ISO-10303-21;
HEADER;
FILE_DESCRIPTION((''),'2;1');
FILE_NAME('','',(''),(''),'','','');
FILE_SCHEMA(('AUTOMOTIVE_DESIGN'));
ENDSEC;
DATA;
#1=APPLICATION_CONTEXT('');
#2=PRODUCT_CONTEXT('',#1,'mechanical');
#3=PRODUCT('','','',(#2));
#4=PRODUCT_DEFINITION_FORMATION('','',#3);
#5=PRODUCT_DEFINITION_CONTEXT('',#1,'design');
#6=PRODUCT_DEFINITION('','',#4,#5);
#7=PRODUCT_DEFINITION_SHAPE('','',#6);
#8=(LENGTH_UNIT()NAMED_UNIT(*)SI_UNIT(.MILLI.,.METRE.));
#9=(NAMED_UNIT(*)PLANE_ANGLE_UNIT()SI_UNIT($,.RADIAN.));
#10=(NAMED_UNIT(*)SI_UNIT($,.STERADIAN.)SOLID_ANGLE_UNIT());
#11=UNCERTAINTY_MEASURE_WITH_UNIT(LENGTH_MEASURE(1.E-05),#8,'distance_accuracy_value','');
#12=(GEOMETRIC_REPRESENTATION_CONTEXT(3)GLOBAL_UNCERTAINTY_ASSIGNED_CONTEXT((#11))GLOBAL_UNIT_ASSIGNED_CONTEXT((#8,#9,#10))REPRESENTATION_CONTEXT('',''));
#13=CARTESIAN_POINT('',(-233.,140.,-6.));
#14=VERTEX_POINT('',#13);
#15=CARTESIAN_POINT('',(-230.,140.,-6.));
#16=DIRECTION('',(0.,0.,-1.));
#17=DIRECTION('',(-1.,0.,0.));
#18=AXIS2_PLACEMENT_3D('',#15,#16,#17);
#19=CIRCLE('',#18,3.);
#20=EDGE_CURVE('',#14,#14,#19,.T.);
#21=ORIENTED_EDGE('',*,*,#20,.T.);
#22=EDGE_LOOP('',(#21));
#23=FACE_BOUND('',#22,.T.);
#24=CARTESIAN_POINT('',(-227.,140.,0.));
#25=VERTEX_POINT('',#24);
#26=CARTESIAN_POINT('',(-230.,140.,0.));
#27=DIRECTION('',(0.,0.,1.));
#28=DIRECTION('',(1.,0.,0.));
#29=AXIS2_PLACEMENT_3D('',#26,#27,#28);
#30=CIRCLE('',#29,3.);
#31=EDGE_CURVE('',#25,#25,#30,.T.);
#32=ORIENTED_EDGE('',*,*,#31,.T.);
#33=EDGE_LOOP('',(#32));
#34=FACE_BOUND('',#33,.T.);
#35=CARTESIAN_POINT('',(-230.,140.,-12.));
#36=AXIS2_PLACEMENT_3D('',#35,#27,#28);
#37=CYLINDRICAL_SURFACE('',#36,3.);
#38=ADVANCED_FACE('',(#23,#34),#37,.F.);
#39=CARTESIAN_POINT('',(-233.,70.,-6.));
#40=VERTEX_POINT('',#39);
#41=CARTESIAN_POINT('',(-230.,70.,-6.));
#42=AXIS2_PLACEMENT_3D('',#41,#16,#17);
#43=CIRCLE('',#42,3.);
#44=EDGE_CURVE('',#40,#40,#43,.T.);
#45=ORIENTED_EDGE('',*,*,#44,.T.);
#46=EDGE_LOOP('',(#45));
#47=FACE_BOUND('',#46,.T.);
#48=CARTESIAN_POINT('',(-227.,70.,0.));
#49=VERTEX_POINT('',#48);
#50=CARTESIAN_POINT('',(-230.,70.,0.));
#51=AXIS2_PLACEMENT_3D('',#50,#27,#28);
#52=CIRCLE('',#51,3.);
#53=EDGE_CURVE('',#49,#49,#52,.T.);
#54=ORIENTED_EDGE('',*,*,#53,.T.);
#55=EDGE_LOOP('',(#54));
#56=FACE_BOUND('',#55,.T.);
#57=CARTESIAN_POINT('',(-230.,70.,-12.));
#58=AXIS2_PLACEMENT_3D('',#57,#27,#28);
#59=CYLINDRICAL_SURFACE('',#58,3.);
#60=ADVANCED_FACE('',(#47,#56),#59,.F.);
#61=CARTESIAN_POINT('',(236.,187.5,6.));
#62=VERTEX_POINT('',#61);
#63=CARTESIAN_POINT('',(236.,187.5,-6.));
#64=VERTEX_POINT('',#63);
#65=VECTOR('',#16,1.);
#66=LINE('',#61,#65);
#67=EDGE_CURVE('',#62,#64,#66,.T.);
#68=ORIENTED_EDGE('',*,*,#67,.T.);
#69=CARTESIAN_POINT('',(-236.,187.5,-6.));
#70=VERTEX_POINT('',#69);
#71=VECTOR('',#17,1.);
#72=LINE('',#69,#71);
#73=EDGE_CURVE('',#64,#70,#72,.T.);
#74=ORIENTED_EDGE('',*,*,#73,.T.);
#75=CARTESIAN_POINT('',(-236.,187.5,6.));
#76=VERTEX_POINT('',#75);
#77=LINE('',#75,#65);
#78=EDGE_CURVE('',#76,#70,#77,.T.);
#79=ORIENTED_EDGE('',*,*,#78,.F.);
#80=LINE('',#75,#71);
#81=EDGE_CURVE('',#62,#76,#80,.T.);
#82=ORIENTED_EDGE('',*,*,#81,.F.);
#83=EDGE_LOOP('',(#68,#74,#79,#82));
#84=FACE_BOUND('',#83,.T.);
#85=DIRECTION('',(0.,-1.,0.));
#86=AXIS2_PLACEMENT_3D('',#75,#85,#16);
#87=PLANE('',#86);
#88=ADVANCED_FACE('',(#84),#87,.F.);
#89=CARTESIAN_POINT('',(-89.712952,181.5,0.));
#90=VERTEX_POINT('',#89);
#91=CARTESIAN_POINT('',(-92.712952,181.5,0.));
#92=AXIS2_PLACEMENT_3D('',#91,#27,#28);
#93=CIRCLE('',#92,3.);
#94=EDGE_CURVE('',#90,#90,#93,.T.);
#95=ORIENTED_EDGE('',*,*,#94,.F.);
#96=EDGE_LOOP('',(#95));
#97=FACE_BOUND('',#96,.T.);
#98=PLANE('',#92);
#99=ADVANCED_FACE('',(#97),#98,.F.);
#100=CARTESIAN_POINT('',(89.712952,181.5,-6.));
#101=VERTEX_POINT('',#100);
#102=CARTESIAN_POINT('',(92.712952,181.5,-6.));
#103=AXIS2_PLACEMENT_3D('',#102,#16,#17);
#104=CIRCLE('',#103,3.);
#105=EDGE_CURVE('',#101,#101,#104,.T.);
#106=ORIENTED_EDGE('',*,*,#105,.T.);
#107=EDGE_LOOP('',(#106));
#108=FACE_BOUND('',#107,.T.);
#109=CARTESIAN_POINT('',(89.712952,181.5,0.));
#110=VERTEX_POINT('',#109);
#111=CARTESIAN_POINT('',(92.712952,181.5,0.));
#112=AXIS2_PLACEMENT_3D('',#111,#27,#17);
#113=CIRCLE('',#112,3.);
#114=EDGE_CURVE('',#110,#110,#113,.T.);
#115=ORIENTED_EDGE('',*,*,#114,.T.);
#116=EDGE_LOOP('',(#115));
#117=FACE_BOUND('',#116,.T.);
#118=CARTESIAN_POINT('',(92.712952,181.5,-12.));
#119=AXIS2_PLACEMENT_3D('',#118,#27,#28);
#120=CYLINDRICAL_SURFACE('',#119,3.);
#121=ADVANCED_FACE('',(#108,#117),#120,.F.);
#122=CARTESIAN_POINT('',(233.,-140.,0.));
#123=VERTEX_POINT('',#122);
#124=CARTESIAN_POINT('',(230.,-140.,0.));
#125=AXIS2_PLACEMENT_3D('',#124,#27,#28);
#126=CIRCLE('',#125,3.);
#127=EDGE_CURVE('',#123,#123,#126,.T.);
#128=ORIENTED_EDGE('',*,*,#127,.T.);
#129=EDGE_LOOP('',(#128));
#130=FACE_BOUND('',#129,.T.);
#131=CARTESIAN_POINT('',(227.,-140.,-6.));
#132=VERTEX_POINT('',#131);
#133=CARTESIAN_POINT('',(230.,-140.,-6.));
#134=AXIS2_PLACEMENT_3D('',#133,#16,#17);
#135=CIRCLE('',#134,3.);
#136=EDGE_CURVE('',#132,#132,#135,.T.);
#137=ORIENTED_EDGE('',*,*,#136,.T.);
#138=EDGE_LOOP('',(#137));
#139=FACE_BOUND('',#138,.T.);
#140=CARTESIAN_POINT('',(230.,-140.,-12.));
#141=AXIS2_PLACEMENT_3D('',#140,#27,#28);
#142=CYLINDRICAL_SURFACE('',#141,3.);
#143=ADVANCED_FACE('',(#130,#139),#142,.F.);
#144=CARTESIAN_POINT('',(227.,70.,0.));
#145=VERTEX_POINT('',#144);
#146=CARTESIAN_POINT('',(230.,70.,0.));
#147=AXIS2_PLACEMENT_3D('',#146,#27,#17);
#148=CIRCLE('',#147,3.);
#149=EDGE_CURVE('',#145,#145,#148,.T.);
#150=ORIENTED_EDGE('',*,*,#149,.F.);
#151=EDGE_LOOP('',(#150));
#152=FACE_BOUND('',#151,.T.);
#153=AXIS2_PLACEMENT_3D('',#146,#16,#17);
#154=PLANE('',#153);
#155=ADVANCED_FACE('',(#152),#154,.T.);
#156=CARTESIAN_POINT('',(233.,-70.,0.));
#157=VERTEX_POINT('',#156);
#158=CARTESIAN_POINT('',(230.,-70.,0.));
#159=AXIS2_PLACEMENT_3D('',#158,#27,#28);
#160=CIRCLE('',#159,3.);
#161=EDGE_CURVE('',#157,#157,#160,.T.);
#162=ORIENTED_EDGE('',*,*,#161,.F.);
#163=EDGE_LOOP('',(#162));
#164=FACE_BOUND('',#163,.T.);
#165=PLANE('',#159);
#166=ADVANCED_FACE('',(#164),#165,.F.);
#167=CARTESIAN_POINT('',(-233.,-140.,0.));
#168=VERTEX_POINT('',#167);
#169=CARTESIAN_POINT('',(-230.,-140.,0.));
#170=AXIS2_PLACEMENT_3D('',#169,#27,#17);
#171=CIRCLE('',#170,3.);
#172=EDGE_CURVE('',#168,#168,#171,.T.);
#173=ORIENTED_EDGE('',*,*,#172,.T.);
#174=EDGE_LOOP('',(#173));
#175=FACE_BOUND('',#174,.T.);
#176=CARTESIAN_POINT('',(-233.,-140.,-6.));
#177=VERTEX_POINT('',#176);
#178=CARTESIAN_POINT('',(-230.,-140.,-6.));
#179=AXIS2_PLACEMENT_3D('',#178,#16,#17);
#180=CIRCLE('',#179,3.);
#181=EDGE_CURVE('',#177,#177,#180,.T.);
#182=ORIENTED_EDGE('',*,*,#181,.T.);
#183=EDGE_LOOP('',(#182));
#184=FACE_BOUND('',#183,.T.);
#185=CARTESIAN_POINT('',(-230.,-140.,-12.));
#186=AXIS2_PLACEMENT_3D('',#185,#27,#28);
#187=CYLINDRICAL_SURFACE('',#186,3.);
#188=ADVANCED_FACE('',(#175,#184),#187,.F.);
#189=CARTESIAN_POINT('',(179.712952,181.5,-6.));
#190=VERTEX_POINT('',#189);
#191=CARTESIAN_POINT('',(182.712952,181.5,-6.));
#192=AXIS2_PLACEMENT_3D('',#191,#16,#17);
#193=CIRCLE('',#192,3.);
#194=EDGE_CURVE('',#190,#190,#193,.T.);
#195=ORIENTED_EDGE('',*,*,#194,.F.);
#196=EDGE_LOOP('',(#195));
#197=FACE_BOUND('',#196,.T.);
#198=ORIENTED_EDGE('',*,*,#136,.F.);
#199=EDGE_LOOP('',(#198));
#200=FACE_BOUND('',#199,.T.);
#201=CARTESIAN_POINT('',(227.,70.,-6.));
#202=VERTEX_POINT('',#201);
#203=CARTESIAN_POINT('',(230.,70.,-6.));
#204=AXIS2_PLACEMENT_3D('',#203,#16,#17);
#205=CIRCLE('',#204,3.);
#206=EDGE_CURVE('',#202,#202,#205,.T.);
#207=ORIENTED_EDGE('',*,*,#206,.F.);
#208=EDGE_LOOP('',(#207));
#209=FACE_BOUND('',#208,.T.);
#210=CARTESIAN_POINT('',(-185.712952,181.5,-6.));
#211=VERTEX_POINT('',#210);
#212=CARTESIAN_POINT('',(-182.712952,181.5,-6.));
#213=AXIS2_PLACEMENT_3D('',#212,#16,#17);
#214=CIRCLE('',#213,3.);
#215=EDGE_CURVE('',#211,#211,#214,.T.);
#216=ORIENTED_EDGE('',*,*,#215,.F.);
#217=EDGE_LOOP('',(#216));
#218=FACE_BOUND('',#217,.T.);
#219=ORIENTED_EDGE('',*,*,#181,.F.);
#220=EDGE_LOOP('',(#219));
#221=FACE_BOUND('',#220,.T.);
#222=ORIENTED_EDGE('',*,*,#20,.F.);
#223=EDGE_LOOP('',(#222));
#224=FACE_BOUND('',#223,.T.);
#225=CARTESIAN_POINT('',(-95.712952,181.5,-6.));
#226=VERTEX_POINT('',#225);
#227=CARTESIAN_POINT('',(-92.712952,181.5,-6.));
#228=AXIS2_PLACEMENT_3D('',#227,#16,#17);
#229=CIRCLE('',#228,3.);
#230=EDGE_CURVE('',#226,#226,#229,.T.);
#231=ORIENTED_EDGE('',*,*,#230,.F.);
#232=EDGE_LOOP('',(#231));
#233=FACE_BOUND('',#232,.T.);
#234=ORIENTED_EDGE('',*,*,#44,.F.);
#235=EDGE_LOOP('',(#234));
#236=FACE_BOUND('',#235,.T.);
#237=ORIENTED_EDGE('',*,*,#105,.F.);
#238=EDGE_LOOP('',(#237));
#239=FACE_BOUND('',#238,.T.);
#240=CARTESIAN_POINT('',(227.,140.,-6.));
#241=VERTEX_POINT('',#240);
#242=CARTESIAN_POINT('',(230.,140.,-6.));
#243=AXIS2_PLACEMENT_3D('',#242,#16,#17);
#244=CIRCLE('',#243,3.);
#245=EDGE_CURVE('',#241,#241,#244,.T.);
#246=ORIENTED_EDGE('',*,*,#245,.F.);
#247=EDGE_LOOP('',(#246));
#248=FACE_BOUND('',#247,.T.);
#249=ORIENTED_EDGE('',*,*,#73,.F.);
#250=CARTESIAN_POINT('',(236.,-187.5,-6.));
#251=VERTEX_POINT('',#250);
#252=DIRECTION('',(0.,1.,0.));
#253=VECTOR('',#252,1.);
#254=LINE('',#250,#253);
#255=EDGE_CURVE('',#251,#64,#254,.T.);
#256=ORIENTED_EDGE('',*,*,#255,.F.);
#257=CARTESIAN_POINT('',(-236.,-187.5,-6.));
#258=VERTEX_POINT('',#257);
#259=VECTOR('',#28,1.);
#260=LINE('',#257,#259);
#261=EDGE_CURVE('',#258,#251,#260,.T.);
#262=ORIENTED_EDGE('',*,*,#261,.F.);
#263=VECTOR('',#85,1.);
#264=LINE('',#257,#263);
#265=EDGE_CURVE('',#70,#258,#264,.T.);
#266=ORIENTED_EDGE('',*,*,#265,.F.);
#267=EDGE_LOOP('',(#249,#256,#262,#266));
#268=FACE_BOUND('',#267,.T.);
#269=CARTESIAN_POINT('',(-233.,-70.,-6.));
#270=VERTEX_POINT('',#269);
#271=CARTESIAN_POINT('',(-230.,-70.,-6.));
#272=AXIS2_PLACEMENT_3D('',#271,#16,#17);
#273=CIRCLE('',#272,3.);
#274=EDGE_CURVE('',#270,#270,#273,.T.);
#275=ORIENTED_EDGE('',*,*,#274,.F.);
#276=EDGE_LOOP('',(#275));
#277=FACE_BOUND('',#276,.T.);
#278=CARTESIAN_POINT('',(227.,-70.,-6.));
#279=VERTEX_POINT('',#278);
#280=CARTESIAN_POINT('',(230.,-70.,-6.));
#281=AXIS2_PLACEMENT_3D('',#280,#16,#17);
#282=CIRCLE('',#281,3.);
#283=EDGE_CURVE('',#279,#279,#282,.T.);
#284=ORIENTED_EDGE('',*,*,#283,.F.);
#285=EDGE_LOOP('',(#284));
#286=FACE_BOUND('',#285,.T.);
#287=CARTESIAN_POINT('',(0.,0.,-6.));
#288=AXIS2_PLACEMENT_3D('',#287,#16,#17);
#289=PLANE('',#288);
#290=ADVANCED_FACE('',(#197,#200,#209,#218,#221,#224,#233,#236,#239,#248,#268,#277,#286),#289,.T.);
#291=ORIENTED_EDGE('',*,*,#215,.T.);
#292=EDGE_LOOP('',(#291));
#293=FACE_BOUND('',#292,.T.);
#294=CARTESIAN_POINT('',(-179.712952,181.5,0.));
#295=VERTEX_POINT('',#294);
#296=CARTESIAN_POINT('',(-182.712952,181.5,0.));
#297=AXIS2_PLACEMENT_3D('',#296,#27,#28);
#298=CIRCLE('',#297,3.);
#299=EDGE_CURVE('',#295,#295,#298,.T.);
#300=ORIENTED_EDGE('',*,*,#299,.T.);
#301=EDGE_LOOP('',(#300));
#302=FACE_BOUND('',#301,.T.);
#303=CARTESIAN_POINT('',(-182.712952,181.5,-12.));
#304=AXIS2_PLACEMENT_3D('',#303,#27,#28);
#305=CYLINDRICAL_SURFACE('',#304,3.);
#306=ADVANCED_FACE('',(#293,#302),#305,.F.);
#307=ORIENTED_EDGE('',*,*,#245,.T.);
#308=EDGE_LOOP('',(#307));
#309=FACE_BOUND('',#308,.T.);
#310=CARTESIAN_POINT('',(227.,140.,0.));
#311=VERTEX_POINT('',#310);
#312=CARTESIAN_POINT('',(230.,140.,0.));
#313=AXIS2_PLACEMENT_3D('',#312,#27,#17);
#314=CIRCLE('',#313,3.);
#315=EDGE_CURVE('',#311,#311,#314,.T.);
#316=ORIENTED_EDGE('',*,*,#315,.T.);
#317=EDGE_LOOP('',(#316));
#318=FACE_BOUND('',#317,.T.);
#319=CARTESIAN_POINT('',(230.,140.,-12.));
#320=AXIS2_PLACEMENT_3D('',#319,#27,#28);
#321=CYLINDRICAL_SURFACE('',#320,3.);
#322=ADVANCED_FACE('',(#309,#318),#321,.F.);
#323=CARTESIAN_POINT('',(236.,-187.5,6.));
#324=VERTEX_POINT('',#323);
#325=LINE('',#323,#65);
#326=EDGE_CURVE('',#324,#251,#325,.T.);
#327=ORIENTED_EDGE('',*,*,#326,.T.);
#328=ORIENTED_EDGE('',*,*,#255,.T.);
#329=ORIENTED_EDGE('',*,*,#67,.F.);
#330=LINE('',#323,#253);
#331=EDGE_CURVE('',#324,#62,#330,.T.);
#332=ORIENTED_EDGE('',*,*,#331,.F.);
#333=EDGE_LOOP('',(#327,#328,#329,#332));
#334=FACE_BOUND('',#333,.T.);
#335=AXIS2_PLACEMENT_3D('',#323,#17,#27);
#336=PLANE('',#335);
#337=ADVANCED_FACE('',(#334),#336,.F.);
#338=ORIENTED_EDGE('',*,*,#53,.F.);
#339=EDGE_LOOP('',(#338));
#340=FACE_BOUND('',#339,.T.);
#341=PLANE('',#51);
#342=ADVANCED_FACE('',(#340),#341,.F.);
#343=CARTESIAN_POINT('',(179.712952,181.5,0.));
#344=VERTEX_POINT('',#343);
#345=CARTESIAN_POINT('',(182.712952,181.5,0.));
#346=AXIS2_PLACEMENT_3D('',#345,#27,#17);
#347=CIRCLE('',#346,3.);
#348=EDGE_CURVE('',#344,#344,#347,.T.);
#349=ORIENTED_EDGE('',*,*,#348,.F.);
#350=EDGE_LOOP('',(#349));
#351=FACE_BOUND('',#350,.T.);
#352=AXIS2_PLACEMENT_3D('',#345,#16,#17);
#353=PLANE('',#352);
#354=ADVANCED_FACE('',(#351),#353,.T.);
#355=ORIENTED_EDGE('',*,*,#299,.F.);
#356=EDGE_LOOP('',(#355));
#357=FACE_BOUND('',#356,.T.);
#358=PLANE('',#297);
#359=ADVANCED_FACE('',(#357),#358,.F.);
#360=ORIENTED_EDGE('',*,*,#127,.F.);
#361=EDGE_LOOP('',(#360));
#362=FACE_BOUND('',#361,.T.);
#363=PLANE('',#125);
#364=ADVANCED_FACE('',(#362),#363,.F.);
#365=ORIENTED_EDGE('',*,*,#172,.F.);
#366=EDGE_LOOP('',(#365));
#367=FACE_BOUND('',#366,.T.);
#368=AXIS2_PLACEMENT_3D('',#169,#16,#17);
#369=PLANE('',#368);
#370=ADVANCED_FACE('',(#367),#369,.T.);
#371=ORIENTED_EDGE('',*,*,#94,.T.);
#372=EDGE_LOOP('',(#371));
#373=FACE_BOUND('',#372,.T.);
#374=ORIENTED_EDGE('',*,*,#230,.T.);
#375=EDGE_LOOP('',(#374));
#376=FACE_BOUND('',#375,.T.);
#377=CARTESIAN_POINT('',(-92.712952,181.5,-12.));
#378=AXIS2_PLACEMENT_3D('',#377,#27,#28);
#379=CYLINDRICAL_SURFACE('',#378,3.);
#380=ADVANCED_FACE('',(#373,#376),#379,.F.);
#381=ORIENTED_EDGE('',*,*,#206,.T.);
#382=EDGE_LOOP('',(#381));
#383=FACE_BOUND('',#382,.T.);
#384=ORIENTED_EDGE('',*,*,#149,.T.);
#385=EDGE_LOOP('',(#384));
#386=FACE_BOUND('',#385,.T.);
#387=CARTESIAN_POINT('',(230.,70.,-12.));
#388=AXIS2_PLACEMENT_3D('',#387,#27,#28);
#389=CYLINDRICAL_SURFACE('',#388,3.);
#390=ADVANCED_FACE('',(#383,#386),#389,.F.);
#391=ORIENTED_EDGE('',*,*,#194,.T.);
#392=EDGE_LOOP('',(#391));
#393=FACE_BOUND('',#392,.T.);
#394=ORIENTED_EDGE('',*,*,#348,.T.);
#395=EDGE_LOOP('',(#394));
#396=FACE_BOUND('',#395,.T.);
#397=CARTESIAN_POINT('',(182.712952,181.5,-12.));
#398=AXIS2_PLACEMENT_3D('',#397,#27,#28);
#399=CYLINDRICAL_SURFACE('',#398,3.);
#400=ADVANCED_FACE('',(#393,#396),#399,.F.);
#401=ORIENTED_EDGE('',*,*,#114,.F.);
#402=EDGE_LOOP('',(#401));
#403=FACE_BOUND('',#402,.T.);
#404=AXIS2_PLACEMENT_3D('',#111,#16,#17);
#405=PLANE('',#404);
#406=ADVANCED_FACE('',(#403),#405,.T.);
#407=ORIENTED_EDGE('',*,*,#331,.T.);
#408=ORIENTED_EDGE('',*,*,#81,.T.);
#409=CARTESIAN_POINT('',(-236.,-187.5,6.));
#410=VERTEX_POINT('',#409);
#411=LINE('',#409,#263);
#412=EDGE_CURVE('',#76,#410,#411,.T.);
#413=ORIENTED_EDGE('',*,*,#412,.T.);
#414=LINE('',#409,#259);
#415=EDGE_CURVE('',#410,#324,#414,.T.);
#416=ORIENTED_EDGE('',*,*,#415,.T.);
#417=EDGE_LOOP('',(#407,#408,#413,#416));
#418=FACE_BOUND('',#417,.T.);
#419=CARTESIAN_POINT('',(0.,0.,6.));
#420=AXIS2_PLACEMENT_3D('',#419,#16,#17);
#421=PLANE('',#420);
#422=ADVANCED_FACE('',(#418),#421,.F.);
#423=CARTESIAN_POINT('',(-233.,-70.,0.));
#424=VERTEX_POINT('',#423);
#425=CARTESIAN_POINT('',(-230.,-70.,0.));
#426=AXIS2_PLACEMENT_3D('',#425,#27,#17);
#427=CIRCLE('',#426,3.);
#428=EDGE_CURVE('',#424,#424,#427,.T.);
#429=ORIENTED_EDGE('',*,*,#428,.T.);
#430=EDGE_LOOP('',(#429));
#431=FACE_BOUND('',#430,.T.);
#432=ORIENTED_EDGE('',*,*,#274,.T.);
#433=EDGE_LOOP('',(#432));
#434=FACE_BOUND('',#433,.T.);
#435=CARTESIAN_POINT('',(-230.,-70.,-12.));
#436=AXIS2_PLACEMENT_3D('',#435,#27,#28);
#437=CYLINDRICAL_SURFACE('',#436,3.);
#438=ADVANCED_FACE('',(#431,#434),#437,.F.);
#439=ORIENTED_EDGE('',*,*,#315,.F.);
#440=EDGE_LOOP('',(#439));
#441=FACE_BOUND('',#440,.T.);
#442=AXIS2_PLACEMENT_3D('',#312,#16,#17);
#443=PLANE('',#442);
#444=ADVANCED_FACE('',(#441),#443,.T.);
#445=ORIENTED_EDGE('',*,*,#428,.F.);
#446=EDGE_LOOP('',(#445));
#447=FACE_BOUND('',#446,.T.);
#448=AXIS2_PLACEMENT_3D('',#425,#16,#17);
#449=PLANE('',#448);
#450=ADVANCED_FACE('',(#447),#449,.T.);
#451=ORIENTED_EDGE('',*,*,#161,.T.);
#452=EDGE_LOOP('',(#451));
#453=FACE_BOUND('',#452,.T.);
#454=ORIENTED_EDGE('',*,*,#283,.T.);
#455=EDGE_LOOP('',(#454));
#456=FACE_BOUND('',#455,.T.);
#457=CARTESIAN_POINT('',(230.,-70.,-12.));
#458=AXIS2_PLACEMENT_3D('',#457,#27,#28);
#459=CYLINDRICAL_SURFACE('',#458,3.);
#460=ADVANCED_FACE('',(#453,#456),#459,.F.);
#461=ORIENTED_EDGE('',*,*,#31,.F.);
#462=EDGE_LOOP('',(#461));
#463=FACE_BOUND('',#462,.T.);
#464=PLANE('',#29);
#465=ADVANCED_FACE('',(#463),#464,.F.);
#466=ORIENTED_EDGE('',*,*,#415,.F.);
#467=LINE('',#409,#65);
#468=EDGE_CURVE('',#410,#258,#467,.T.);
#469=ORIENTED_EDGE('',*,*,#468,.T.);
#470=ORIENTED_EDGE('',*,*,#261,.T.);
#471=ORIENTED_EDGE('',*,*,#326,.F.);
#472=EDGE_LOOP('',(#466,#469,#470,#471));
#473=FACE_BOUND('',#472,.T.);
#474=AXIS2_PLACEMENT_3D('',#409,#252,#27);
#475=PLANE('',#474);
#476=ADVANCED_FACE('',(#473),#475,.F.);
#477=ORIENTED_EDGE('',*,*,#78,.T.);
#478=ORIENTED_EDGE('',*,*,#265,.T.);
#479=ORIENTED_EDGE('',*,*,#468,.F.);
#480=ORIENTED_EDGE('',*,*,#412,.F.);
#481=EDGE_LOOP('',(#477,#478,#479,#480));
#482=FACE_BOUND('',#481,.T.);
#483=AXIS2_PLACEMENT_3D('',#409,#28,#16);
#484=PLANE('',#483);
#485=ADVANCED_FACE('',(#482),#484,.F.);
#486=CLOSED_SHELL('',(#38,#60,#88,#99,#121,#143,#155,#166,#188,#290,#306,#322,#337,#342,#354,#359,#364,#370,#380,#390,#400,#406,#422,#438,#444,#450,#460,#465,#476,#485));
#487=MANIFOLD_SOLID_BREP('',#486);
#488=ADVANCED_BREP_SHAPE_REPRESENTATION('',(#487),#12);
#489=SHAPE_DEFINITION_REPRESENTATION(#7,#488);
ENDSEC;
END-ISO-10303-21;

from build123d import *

# Parameters (mm, degrees)
CROQUIS1_W              = 472
CROQUIS1_H              = 375
SALIENTE_EXTRUIR1_DEPTH = 6
CROQUIS2_R              = 3
CORTAR_EXTRUIR1_DEPTH   = 12


with BuildPart() as part:
    # Croquis1 → Saliente-Extruir1 (new, symmetric)
    with BuildSketch(Plane.XY):
        Rectangle(CROQUIS1_W, CROQUIS1_H)
    extrude(amount=SALIENTE_EXTRUIR1_DEPTH, both=True)

    # Croquis2 → Cortar-Extruir1 (cut)
    with BuildSketch(Plane.XY):
        with Locations((-230, 70)):
            Circle(CROQUIS2_R)
        with Locations((-230, 140)):
            Circle(CROQUIS2_R)
        with Locations((-182.712951509, 181.5)):
            Circle(CROQUIS2_R)
        with Locations((-92.712951509, 181.5)):
            Circle(CROQUIS2_R)
        with Locations(Location((92.712951509, 181.5, 0), (0, 0, 180))):
            Circle(CROQUIS2_R)
        with Locations(Location((182.712951509, 181.5, 0), (0, 0, 180))):
            Circle(CROQUIS2_R)
        with Locations(Location((-230, -140, 0), (0, 0, 180))):
            Circle(CROQUIS2_R)
        with Locations(Location((-230, -70, 0), (0, 0, 180))):
            Circle(CROQUIS2_R)
        with Locations((230, -140)):
            Circle(CROQUIS2_R)
        with Locations((230, -70)):
            Circle(CROQUIS2_R)
        with Locations(Location((230, 70, 0), (0, 0, 180))):
            Circle(CROQUIS2_R)
        with Locations(Location((230, 140, 0), (0, 0, 180))):
            Circle(CROQUIS2_R)
    extrude(amount=-CORTAR_EXTRUIR1_DEPTH, mode=Mode.SUBTRACT)


solid = part.part
